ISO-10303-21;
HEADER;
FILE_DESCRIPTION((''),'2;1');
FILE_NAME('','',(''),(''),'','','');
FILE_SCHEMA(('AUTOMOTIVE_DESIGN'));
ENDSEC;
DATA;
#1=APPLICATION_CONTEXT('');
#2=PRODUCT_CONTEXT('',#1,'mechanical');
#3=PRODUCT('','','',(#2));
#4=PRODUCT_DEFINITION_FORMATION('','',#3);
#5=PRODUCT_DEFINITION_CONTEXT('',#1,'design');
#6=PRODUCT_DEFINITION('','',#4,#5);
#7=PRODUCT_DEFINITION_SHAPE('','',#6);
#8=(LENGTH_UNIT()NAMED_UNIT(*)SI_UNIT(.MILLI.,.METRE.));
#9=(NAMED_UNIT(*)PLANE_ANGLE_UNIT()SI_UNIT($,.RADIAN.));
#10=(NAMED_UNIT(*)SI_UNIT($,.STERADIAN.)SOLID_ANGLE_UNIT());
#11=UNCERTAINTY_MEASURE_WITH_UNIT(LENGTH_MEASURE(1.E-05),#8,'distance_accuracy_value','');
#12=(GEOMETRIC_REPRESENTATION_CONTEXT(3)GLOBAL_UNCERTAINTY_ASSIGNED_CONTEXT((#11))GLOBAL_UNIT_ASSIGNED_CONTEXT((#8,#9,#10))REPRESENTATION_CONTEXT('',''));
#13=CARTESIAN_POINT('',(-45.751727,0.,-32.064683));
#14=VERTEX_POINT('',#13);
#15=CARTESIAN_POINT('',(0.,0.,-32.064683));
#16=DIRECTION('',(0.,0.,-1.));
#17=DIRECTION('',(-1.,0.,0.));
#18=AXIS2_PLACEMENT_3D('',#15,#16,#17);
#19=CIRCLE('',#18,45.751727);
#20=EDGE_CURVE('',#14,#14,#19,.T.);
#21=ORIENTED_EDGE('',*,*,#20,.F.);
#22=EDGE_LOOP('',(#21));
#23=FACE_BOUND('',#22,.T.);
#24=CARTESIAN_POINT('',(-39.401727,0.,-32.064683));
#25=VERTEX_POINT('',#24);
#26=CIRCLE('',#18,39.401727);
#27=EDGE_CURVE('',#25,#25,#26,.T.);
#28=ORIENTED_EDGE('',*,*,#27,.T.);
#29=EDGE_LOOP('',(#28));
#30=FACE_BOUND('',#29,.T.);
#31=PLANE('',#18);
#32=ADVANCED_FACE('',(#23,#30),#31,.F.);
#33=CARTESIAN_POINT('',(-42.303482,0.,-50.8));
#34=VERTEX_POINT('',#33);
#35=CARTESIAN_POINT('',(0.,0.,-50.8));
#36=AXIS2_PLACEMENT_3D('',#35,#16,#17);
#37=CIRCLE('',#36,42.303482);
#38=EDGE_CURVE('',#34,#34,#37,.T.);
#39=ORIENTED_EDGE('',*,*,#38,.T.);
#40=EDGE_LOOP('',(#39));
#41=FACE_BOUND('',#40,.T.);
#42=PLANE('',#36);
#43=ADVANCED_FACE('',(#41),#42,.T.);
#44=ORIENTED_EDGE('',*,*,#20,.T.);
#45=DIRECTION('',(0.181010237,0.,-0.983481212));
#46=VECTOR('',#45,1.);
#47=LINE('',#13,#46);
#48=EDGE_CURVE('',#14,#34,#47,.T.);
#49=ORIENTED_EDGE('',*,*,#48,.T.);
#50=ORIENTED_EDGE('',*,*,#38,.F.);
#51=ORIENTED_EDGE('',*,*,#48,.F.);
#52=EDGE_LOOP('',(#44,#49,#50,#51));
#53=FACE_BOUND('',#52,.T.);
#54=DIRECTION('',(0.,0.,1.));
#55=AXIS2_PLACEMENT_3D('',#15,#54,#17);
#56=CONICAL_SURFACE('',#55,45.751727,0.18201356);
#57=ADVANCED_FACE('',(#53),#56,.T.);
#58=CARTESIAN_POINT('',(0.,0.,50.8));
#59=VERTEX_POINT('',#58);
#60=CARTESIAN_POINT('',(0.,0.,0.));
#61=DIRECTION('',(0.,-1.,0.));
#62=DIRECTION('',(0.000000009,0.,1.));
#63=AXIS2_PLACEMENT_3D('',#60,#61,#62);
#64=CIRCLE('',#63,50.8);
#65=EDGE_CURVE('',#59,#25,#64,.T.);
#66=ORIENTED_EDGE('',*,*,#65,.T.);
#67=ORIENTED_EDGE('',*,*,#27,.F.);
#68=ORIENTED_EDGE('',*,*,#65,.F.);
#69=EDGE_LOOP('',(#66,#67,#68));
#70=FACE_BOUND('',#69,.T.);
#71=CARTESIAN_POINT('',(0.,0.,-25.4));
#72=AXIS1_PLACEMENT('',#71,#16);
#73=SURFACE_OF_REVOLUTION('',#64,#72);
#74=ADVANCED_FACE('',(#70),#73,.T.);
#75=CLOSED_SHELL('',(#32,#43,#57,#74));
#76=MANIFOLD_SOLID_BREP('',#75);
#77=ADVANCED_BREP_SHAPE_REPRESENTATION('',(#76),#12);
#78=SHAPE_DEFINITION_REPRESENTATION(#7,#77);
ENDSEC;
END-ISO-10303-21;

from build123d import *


with BuildPart() as f1:
    # F0 (on Front) → F1 (revolve)
    with BuildSketch(Plane.XZ):
        with BuildLine():
            Line((0, 0), (0, 50.8))
            ThreePointArc((0, 50.8), (-45.877696, 21.814606), (-39.401727, -32.064683))
            Line((-39.401727, -32.064683), (-45.751727, -32.064683))
            Line((-45.751727, -32.064683), (-42.303482, -50.8))
            Line((-42.303482, -50.8), (-37.500791, -50.8))
            Line((-37.500791, -50.8), (-35.953482, -50.8))
            Line((-35.953482, -50.8), (0, -50.8))
            Line((0, -50.8), (0, 0))
        make_face()
    revolve(axis=Axis((0, 0, -25.4), (0, 0, -1)))


solid = f1.part
